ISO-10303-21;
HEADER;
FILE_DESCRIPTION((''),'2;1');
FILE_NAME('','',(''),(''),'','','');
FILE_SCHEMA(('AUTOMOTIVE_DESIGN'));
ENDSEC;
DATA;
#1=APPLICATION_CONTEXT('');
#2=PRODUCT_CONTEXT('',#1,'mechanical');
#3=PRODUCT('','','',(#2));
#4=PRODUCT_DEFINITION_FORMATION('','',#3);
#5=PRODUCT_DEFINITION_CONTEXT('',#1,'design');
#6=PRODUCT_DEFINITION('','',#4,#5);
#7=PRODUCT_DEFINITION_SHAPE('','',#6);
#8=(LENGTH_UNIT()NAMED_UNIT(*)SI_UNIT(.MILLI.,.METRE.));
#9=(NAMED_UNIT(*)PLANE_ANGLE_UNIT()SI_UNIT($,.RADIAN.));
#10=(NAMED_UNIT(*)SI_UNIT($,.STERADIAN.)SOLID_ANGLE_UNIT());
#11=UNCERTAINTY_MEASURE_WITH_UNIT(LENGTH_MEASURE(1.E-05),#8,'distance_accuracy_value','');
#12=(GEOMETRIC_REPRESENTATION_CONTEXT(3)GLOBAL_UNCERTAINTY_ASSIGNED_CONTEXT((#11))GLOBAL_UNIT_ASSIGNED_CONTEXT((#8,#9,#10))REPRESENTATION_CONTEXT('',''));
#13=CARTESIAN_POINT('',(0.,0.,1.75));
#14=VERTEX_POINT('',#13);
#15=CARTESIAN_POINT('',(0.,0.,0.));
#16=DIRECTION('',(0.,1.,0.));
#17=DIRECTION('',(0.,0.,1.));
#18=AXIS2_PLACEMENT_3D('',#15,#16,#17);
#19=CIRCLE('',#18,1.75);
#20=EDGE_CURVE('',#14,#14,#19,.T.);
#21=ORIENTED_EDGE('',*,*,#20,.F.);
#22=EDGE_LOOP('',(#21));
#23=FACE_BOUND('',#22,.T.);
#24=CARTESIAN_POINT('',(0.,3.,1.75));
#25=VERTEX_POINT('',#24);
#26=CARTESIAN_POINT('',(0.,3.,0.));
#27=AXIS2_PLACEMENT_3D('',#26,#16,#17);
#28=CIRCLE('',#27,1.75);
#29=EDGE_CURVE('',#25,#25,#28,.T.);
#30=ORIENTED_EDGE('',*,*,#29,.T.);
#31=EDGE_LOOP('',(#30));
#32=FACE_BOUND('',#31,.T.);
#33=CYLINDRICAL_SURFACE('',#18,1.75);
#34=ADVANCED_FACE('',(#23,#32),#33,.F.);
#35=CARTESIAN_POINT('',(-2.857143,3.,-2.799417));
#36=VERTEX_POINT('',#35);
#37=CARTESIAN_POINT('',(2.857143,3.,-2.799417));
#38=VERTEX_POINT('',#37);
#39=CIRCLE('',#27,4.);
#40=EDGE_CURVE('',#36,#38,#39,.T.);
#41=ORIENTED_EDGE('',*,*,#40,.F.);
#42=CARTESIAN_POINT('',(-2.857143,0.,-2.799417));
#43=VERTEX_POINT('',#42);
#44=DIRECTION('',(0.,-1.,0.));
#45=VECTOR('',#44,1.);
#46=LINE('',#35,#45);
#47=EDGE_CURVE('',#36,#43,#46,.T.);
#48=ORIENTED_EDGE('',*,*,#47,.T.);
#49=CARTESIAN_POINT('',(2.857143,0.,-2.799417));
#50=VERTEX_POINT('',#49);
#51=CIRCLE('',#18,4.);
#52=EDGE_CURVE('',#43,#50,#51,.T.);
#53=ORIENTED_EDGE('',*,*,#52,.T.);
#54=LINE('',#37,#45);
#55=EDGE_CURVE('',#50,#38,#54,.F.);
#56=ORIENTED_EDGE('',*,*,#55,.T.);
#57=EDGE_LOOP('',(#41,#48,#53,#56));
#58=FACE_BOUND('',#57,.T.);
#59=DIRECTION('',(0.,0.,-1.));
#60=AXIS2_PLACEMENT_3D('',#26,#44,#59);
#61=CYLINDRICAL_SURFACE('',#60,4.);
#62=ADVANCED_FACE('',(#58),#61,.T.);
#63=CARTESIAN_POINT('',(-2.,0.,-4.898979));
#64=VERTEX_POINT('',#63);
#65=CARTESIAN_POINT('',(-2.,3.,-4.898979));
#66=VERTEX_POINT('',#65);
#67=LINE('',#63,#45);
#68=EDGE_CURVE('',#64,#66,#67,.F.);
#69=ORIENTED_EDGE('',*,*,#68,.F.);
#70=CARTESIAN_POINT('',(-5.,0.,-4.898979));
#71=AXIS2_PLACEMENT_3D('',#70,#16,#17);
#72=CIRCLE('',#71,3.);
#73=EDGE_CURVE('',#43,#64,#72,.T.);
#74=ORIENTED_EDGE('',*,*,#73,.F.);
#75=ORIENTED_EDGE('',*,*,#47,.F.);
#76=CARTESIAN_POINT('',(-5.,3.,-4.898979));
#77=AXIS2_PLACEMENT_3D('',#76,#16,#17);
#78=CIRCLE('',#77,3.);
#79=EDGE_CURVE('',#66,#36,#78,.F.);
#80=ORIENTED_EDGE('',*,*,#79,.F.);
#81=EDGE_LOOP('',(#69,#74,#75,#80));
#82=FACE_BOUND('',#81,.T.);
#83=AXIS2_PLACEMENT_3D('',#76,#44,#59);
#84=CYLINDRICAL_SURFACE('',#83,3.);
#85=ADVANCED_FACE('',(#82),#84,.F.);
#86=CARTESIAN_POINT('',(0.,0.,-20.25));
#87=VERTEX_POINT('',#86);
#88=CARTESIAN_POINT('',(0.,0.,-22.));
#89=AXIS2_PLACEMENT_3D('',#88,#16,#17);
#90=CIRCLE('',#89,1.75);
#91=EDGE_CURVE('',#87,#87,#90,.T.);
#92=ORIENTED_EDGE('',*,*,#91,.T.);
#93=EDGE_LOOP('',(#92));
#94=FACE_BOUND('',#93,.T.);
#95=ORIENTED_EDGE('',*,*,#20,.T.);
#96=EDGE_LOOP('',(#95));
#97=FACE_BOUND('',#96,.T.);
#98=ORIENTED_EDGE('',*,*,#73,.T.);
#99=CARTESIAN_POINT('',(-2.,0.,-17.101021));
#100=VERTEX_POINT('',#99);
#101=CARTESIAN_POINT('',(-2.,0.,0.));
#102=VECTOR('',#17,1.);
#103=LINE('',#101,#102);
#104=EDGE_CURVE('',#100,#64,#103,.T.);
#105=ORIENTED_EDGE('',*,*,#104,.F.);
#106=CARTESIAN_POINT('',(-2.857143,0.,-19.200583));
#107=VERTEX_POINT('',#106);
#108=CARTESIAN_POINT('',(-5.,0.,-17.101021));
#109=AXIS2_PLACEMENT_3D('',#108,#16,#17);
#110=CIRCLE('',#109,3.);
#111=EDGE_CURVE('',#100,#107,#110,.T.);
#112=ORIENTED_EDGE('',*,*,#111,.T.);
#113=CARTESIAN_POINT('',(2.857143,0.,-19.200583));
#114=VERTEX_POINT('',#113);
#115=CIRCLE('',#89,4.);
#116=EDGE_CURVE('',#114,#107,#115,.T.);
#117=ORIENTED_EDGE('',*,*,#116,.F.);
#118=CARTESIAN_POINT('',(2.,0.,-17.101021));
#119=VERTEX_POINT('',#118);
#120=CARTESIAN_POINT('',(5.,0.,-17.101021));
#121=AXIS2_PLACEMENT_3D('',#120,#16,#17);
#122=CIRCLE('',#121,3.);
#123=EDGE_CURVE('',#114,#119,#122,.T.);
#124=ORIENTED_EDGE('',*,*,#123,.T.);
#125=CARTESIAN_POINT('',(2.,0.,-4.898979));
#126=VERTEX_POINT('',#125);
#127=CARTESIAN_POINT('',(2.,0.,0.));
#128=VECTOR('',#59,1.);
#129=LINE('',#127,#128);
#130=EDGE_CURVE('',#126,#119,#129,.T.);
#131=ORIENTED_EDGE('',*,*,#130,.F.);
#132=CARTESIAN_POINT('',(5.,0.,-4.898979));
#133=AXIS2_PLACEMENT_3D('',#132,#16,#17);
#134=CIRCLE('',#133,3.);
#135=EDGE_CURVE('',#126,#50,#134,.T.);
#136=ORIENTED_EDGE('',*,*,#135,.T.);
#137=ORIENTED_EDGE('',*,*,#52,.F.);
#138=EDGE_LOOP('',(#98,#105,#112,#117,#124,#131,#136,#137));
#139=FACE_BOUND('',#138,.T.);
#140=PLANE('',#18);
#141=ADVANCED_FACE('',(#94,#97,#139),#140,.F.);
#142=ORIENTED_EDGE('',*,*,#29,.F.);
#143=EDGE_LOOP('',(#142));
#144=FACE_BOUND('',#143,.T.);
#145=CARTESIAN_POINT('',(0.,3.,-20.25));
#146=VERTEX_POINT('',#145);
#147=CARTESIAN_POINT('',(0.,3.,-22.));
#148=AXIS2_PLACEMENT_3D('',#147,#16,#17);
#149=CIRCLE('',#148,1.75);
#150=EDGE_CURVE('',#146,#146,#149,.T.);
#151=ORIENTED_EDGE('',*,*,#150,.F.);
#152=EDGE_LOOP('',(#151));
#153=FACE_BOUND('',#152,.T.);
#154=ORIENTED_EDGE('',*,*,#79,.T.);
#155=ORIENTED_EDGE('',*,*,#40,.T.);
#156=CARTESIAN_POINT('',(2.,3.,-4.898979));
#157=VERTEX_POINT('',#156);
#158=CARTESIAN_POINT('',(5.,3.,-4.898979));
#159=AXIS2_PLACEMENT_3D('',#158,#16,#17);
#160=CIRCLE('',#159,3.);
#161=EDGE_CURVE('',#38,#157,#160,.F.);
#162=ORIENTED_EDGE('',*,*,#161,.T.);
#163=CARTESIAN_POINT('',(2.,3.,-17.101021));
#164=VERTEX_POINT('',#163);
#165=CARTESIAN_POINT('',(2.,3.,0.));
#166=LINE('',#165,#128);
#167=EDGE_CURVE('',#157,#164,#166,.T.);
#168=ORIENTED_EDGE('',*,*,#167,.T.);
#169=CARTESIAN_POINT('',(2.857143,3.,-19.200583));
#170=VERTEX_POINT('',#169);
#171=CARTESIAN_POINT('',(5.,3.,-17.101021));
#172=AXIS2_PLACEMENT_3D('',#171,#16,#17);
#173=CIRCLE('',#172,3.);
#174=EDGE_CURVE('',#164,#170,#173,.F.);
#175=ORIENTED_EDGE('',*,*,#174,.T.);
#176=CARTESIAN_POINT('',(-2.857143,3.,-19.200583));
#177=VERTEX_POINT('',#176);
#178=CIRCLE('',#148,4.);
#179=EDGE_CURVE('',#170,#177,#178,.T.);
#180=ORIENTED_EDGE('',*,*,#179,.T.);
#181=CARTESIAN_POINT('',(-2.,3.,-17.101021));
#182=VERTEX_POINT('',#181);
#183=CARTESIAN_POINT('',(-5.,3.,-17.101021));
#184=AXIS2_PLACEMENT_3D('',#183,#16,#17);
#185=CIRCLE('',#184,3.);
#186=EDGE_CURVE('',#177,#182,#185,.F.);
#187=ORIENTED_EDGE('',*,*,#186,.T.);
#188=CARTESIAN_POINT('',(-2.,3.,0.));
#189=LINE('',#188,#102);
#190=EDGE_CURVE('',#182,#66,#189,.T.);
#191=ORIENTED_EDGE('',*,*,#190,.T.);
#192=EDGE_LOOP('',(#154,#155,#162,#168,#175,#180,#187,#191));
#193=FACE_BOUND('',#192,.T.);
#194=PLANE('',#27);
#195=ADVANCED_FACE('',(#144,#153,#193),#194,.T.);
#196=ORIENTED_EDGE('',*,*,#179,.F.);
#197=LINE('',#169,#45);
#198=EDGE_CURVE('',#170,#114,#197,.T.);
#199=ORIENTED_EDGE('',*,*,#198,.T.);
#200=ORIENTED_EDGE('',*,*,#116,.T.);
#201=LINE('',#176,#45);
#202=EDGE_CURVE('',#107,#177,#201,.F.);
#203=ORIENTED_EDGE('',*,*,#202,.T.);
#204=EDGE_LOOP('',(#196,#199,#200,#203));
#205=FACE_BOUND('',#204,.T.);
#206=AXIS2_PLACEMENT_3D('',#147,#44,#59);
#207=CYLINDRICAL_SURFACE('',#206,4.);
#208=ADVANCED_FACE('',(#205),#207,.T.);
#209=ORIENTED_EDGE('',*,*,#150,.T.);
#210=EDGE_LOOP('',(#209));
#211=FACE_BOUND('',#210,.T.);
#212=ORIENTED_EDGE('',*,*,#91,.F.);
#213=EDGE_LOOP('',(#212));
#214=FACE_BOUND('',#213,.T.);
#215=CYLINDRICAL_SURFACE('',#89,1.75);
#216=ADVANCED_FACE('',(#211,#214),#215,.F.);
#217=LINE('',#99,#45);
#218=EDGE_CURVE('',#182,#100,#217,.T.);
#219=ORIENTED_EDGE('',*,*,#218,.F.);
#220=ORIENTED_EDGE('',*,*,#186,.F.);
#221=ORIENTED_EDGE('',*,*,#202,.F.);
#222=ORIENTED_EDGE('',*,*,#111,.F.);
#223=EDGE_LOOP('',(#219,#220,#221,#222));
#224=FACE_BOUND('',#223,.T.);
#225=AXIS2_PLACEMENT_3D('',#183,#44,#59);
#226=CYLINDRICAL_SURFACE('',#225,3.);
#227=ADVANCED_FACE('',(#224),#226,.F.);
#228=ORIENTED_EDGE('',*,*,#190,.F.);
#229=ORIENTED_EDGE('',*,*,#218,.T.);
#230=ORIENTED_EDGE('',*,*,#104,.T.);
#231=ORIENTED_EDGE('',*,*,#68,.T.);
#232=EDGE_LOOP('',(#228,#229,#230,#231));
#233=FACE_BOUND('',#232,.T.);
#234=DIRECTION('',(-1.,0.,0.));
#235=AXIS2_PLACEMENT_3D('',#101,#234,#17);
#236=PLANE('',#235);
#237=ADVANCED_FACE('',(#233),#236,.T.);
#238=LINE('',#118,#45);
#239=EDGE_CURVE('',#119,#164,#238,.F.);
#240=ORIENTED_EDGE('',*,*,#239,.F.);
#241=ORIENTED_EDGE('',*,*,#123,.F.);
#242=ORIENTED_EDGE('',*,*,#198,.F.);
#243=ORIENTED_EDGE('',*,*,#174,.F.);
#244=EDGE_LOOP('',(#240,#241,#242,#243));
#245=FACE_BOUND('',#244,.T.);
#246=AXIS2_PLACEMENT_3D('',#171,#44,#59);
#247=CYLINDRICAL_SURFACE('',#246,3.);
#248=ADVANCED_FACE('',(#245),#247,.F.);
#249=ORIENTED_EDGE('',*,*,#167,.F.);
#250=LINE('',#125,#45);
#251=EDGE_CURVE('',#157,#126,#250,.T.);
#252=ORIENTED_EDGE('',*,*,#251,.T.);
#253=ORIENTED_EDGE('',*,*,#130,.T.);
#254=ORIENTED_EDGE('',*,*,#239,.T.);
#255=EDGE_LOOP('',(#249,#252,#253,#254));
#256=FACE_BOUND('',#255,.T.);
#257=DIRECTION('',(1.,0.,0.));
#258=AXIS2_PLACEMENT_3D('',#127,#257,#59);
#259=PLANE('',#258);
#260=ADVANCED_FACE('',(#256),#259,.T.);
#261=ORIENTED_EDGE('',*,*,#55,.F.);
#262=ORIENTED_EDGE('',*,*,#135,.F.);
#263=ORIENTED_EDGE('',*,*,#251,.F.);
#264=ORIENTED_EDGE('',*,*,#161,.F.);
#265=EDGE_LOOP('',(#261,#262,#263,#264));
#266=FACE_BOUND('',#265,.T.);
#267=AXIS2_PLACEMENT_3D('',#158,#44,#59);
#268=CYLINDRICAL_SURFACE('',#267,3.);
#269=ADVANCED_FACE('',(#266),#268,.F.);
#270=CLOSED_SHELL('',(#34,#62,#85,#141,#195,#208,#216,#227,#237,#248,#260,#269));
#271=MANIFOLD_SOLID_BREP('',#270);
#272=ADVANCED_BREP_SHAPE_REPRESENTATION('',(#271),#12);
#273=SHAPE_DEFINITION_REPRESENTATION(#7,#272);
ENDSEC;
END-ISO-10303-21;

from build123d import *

# Parameters (mm, degrees)
SKETCH_1_R          = 4
EXTRUDE_1_DEPTH     = 3
EXTRUDE_1_2_DEPTH   = 3
SKETCH_2_W          = 4
SKETCH_2_H          = 22
EXTRUDE_2_DEPTH     = 3
FILLET_1_R          = 3
SKETCH_3_R          = 1.75
CUT_EXTRUDE_1_DEPTH = 3


with BuildPart() as part:
    # 스케치1 → 보스-돌출1 (new body)
    with BuildSketch(Plane(origin=(0, 0, 0), x_dir=(1, 0, 0), z_dir=(0, 1, 0))):
        with Locations(Location((0, 0, 0), (0, 0, 270))):
            Circle(SKETCH_1_R)
    extrude(amount=EXTRUDE_1_DEPTH)



with BuildPart() as body_2:
    # 스케치1 → Extrude 1 2 (new body)
    with BuildSketch(Plane(origin=(0, 0, 0), x_dir=(1, 0, 0), z_dir=(0, 1, 0))):
        with Locations(Location((0, 22, 0), (0, 0, 270))):
            Circle(SKETCH_1_R)
    extrude(amount=EXTRUDE_1_2_DEPTH)


with BuildPart() as part_1:
    add(part.part)

    add(body_2.part)  # 보스-돌출2 merges body 2
    # 스케치2 → 보스-돌출2 (add)
    with BuildSketch(Plane(origin=(0, 3, 0), x_dir=(1, 0, 0), z_dir=(0, 1, 0))):
        with Locations((0, 11)):
            Rectangle(SKETCH_2_W, SKETCH_2_H)
    extrude(amount=-EXTRUDE_2_DEPTH)

    # 필렛1
    fillet_1_edges = [part_1.edges().sort_by_distance(p)[0] for p in [
        (2, 1.5, -3.464101615),
        (-2, 1.5, -3.464101615),
        (-2, 1.5, -18.535898385),
        (2, 1.5, -18.535898385),
    ]]
    fillet(fillet_1_edges, radius=FILLET_1_R)

    # 스케치3 → 컷-돌출1 (cut)
    with BuildSketch(Plane(origin=(0, 3, 0), x_dir=(1, 0, 0), z_dir=(0, 1, 0))):
        with Locations(Location((0, 22, 0), (0, 0, 270))):
            Circle(SKETCH_3_R)
        with Locations(Location((0, 0, 0), (0, 0, 270))):
            Circle(SKETCH_3_R)
    extrude(amount=-CUT_EXTRUDE_1_DEPTH, mode=Mode.SUBTRACT)


solid = part_1.part
